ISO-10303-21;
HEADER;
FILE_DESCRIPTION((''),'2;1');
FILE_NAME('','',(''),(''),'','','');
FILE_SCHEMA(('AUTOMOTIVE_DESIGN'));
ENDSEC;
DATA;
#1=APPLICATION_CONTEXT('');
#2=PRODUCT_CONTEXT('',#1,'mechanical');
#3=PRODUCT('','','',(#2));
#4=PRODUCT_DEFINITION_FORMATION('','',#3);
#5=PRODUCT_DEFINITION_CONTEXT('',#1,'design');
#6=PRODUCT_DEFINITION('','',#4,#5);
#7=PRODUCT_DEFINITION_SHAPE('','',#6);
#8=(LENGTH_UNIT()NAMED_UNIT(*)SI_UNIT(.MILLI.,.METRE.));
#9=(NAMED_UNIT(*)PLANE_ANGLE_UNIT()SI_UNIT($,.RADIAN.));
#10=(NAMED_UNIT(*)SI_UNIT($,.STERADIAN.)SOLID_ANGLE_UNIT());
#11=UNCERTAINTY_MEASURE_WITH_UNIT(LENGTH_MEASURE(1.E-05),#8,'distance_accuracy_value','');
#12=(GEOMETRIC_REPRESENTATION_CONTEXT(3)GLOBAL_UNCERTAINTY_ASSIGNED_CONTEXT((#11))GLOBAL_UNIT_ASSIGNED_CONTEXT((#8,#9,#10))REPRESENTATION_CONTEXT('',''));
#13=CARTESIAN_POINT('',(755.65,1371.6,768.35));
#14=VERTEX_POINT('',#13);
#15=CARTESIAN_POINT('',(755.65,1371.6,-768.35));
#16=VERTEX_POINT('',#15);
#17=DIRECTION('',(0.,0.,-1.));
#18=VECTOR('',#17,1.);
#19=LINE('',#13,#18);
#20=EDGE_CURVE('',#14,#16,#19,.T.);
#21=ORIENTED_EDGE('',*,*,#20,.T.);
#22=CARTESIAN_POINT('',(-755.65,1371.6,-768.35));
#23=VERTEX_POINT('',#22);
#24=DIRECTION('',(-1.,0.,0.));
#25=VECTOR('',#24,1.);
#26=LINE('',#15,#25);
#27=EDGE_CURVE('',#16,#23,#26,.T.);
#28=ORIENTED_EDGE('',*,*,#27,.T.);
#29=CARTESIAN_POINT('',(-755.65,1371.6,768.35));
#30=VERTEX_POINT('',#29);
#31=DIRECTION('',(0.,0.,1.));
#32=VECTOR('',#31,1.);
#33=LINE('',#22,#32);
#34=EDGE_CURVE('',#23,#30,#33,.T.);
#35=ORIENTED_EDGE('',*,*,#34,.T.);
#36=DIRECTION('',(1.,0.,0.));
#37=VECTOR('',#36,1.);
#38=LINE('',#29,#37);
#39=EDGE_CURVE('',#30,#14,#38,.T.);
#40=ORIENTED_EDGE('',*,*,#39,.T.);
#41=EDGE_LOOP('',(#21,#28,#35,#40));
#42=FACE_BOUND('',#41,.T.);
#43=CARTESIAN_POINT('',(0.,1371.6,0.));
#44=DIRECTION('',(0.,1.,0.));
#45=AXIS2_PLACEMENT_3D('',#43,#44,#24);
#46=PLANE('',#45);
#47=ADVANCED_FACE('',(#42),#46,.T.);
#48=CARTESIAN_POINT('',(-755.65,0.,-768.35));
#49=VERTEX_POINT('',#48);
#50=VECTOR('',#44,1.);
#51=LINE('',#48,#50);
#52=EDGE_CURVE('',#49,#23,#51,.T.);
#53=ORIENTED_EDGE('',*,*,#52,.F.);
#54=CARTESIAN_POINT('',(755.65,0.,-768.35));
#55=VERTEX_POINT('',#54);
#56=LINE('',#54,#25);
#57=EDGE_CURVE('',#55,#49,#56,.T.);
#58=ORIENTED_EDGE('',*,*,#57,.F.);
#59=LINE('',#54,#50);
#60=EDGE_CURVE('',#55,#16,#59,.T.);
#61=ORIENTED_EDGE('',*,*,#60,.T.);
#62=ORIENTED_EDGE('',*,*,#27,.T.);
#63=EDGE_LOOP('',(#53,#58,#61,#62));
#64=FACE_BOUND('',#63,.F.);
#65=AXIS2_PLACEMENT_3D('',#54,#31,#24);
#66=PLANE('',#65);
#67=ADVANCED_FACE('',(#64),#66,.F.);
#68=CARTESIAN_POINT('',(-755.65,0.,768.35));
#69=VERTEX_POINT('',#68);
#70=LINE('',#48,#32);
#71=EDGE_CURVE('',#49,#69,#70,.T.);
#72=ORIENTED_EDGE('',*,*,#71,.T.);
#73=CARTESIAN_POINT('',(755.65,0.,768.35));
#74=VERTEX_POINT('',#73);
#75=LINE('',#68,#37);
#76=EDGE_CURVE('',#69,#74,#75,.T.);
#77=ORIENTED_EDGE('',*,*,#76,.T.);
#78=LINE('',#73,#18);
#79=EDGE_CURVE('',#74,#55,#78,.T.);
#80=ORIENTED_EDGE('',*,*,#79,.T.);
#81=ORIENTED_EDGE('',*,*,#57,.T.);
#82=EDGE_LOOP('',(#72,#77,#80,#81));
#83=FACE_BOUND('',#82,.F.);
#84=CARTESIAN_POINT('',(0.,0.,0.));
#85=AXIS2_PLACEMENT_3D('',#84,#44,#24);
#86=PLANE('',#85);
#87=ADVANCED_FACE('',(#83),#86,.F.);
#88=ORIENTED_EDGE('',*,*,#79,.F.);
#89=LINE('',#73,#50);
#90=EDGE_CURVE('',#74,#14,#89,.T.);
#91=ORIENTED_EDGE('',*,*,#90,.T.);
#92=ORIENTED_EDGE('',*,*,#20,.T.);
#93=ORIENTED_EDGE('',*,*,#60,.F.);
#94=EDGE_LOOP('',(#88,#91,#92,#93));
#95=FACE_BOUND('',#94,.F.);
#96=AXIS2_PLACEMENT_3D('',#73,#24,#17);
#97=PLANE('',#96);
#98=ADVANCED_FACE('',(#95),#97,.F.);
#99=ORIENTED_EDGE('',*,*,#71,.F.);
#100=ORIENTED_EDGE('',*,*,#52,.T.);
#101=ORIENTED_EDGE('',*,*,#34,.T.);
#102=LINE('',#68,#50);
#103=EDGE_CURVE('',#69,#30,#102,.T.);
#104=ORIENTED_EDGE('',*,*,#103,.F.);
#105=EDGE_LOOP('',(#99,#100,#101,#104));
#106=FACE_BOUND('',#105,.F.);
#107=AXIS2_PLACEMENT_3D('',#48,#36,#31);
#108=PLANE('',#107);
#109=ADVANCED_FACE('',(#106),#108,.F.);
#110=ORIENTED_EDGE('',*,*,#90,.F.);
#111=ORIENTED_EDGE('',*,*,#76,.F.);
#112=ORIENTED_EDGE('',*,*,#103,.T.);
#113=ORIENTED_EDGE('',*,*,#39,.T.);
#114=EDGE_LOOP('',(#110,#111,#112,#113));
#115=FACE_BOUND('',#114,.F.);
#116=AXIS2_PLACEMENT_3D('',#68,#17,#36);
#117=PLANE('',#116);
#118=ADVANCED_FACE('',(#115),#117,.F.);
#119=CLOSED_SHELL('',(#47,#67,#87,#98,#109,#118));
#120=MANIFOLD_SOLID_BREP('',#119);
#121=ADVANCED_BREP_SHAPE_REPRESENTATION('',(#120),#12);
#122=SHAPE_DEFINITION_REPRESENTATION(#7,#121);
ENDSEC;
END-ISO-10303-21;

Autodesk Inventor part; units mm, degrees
ref_plane "YZ Plane" through (0, 0, 0) normal (1, 0, 0) x (0, 1, 0)
ref_plane "XZ Plane" through (0, 0, 0) normal (0, 1, 0) x (-1, 0, 0)
ref_plane "XY Plane" through (0, 0, 0) normal (0, 0, 1) x (1, 0, 0)
sketch "Sketch1" plane through (0, 0, 0) normal (0, 1, 0) x (-1, 0, 0)
  line L0 (755.65, 768.35) -> (-755.65, 768.35)
  line L1 (-755.65, 768.35) -> (-755.65, -768.35)
  line L2 (-755.65, -768.35) -> (755.65, -768.35)
  line L3 (755.65, -768.35) -> (755.65, 768.35)
  line L4 (755.65, 768.35) -> (-755.65, -768.35) construction
  line L5 (-755.65, 768.35) -> (755.65, -768.35) construction
  point P0 (0, 0)
  dimension "d0" = 1536.7
  dimension "d1" = 1511.3
extrude "Extrusion1" add sketch "Sketch1" along normal blind 1371.6
equation "\"d0\" = maxVolumeLength"
equation "\"d1\" = maxVolumeWidth"
equation "\"d2\" = maxVolumeHeight"
equation "\"robotWidth\" = -robotLength + 0.5 * perimeter"
equation "\"robotLength\" = 774.7"
equation "\"maxVolumeHeight\" = 1371.6"
equation "\"perimeter\" = 3048"
equation "\"maxVolumeLength\" = 1536.7"
equation "\"maxVolumeWidth\" = 1511.3"
properties part number "maxAllowedVolume" material "Polycarbonate, Clear"
